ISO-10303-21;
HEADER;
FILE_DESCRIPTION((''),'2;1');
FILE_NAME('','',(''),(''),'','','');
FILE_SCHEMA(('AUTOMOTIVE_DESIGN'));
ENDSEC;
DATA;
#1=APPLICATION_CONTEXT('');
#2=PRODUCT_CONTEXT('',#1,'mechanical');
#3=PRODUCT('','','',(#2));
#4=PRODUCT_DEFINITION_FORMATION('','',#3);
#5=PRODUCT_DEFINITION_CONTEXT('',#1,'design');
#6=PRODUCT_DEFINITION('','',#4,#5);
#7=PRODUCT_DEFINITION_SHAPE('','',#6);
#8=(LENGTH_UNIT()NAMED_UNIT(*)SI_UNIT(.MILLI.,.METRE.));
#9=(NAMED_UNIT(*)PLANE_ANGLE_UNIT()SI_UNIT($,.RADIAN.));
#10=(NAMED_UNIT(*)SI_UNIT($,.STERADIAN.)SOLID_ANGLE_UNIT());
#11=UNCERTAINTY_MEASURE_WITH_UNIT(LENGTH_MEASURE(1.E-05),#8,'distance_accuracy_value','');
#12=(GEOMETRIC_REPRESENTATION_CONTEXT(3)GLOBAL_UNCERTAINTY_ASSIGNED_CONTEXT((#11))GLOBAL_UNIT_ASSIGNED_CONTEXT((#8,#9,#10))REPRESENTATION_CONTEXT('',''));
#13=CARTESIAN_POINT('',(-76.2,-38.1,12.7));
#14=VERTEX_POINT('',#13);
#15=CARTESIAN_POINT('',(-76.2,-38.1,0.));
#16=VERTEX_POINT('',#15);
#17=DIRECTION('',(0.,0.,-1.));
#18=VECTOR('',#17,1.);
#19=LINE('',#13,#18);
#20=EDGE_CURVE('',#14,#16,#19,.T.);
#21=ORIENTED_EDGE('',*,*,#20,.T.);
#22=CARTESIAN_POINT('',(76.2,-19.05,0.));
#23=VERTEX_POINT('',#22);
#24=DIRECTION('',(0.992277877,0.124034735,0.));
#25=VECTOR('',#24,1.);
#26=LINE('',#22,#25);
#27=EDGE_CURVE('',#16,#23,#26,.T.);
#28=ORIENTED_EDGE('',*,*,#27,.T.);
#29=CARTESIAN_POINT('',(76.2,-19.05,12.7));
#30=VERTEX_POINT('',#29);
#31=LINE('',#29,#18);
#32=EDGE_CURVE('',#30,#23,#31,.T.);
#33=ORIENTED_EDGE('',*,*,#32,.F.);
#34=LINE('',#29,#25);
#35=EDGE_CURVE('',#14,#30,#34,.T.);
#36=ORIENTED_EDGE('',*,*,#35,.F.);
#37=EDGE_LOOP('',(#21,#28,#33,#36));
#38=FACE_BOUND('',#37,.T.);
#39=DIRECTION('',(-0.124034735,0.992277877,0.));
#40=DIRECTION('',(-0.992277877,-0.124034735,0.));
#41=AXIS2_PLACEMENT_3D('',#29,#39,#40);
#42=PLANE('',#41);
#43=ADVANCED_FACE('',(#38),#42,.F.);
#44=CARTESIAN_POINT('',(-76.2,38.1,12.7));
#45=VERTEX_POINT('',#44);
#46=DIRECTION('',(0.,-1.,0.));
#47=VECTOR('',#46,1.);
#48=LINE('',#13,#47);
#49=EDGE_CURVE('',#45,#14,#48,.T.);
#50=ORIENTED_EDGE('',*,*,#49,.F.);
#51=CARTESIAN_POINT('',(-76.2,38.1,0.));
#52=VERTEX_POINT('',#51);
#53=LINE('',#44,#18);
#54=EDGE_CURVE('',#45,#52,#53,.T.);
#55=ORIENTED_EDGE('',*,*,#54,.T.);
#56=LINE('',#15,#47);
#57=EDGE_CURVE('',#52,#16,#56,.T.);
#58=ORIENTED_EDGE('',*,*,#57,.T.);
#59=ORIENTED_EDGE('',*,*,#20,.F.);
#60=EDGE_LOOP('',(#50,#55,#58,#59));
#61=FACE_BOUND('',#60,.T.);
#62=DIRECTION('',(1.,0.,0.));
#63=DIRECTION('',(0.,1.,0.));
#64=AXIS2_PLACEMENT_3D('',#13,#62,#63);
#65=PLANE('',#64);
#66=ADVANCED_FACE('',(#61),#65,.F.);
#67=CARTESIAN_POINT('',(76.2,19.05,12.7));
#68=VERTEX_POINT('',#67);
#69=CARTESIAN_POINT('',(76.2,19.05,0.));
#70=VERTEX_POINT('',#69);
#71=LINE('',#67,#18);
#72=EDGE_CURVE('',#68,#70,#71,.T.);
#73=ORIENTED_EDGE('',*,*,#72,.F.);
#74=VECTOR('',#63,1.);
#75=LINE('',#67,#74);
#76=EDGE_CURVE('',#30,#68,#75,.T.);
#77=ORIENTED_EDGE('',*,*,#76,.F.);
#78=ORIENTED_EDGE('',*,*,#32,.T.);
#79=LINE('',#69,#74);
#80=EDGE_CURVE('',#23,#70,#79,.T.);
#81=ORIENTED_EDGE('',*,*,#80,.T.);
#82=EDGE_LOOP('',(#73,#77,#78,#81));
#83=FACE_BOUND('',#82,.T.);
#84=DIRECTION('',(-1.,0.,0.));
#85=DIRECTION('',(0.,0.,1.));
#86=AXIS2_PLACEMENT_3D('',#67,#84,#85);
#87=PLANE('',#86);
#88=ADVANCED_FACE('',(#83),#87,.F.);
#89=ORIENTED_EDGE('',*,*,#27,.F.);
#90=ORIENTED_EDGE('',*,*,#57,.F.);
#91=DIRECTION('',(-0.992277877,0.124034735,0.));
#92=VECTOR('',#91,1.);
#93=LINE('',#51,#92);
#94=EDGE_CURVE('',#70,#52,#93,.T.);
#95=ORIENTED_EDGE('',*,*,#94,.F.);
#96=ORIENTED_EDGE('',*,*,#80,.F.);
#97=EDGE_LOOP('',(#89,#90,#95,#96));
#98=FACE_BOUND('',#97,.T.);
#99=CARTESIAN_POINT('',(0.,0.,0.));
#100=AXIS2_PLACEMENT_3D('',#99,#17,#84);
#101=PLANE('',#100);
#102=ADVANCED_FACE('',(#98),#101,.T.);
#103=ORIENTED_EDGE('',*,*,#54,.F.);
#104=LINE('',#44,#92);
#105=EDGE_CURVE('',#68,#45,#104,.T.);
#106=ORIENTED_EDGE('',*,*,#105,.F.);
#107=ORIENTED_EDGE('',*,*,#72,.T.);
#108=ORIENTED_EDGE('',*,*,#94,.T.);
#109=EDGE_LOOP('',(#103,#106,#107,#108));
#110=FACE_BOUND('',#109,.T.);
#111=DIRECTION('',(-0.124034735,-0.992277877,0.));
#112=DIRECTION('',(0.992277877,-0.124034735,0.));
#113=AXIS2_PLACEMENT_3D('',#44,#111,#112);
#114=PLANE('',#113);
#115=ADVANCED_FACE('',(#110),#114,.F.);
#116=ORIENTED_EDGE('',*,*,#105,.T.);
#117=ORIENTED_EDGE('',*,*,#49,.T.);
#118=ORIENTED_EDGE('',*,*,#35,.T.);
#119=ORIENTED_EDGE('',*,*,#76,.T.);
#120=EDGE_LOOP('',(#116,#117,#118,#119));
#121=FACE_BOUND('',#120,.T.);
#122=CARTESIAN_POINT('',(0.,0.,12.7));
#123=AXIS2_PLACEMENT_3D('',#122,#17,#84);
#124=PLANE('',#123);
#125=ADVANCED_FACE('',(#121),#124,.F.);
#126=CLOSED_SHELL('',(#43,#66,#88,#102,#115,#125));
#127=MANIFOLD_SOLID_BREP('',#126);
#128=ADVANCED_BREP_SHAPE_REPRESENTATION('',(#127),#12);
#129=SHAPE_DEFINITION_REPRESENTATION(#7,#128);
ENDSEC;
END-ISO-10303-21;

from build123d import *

# Parameters (mm, degrees)
BOSS_EXTRUDE1_DEPTH = 12.7


with BuildPart() as part:
    # Sketch1 → Boss-Extrude1 (new body)
    with BuildSketch(Plane.XY):
        Polygon((-76.2, 38.1), (76.2, 19.05), (76.2, -19.05), (-76.2, -38.1), align=None)
    extrude(amount=BOSS_EXTRUDE1_DEPTH)


solid = part.part
